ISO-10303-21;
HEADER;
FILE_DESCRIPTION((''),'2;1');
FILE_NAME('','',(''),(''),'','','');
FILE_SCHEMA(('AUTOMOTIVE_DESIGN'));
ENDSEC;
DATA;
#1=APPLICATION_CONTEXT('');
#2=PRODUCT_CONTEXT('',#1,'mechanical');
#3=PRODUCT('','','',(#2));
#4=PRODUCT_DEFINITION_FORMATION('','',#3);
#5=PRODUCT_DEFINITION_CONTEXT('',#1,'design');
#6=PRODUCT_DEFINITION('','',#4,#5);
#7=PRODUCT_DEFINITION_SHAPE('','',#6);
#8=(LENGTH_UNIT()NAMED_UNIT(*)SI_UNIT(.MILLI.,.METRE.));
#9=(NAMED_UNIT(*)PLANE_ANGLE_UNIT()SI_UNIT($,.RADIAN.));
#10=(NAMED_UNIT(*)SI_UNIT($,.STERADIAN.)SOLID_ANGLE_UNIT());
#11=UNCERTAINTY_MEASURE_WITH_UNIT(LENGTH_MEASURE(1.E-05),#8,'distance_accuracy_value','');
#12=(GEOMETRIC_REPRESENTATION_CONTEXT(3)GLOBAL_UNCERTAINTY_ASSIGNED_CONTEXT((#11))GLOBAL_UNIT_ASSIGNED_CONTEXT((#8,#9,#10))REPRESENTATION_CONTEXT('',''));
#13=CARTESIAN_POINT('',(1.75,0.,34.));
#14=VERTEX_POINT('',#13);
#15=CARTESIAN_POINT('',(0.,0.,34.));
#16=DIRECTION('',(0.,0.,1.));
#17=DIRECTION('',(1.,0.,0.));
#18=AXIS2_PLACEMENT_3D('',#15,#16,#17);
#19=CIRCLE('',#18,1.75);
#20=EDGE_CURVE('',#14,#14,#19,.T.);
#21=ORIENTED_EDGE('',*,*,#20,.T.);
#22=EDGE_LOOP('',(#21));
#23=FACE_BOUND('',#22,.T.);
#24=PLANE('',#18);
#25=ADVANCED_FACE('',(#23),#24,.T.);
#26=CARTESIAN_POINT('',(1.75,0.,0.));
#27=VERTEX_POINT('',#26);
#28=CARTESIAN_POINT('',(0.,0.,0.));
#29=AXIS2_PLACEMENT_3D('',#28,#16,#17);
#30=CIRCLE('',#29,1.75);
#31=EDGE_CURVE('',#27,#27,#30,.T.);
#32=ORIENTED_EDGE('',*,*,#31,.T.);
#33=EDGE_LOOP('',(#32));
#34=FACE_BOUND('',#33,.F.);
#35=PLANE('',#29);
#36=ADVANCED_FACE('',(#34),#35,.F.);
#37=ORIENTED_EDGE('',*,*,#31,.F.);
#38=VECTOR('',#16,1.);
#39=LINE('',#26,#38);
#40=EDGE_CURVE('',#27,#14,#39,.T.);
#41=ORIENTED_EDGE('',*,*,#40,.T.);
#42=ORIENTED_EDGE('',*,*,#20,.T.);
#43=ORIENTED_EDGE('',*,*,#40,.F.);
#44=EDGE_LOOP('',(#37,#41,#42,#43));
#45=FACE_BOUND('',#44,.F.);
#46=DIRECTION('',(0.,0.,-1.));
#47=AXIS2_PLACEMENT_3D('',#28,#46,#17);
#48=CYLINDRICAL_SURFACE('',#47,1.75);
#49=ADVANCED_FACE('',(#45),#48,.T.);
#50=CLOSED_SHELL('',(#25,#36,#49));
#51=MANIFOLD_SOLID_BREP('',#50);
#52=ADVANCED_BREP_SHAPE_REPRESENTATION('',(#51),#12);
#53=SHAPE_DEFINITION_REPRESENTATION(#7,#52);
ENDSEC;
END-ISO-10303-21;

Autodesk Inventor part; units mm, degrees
ref_plane "YZ Plane" through (0, 0, 0) normal (1, 0, 0) x (0, 1, 0)
ref_plane "XZ Plane" through (0, 0, 0) normal (0, 1, 0) x (-1, 0, 0)
ref_plane "XY Plane" through (0, 0, 0) normal (0, 0, 1) x (1, 0, 0)
sketch "Sketch1" plane through (0, 0, 0) normal (0, 0, 1) x (1, 0, 0)
  circle A0 centre (0, 0) radius 1.75
  dimension "d0" = 3.5
extrude "Extrusion1" add sketch "Sketch1" along normal blind 34
properties part number "core_r_through"
